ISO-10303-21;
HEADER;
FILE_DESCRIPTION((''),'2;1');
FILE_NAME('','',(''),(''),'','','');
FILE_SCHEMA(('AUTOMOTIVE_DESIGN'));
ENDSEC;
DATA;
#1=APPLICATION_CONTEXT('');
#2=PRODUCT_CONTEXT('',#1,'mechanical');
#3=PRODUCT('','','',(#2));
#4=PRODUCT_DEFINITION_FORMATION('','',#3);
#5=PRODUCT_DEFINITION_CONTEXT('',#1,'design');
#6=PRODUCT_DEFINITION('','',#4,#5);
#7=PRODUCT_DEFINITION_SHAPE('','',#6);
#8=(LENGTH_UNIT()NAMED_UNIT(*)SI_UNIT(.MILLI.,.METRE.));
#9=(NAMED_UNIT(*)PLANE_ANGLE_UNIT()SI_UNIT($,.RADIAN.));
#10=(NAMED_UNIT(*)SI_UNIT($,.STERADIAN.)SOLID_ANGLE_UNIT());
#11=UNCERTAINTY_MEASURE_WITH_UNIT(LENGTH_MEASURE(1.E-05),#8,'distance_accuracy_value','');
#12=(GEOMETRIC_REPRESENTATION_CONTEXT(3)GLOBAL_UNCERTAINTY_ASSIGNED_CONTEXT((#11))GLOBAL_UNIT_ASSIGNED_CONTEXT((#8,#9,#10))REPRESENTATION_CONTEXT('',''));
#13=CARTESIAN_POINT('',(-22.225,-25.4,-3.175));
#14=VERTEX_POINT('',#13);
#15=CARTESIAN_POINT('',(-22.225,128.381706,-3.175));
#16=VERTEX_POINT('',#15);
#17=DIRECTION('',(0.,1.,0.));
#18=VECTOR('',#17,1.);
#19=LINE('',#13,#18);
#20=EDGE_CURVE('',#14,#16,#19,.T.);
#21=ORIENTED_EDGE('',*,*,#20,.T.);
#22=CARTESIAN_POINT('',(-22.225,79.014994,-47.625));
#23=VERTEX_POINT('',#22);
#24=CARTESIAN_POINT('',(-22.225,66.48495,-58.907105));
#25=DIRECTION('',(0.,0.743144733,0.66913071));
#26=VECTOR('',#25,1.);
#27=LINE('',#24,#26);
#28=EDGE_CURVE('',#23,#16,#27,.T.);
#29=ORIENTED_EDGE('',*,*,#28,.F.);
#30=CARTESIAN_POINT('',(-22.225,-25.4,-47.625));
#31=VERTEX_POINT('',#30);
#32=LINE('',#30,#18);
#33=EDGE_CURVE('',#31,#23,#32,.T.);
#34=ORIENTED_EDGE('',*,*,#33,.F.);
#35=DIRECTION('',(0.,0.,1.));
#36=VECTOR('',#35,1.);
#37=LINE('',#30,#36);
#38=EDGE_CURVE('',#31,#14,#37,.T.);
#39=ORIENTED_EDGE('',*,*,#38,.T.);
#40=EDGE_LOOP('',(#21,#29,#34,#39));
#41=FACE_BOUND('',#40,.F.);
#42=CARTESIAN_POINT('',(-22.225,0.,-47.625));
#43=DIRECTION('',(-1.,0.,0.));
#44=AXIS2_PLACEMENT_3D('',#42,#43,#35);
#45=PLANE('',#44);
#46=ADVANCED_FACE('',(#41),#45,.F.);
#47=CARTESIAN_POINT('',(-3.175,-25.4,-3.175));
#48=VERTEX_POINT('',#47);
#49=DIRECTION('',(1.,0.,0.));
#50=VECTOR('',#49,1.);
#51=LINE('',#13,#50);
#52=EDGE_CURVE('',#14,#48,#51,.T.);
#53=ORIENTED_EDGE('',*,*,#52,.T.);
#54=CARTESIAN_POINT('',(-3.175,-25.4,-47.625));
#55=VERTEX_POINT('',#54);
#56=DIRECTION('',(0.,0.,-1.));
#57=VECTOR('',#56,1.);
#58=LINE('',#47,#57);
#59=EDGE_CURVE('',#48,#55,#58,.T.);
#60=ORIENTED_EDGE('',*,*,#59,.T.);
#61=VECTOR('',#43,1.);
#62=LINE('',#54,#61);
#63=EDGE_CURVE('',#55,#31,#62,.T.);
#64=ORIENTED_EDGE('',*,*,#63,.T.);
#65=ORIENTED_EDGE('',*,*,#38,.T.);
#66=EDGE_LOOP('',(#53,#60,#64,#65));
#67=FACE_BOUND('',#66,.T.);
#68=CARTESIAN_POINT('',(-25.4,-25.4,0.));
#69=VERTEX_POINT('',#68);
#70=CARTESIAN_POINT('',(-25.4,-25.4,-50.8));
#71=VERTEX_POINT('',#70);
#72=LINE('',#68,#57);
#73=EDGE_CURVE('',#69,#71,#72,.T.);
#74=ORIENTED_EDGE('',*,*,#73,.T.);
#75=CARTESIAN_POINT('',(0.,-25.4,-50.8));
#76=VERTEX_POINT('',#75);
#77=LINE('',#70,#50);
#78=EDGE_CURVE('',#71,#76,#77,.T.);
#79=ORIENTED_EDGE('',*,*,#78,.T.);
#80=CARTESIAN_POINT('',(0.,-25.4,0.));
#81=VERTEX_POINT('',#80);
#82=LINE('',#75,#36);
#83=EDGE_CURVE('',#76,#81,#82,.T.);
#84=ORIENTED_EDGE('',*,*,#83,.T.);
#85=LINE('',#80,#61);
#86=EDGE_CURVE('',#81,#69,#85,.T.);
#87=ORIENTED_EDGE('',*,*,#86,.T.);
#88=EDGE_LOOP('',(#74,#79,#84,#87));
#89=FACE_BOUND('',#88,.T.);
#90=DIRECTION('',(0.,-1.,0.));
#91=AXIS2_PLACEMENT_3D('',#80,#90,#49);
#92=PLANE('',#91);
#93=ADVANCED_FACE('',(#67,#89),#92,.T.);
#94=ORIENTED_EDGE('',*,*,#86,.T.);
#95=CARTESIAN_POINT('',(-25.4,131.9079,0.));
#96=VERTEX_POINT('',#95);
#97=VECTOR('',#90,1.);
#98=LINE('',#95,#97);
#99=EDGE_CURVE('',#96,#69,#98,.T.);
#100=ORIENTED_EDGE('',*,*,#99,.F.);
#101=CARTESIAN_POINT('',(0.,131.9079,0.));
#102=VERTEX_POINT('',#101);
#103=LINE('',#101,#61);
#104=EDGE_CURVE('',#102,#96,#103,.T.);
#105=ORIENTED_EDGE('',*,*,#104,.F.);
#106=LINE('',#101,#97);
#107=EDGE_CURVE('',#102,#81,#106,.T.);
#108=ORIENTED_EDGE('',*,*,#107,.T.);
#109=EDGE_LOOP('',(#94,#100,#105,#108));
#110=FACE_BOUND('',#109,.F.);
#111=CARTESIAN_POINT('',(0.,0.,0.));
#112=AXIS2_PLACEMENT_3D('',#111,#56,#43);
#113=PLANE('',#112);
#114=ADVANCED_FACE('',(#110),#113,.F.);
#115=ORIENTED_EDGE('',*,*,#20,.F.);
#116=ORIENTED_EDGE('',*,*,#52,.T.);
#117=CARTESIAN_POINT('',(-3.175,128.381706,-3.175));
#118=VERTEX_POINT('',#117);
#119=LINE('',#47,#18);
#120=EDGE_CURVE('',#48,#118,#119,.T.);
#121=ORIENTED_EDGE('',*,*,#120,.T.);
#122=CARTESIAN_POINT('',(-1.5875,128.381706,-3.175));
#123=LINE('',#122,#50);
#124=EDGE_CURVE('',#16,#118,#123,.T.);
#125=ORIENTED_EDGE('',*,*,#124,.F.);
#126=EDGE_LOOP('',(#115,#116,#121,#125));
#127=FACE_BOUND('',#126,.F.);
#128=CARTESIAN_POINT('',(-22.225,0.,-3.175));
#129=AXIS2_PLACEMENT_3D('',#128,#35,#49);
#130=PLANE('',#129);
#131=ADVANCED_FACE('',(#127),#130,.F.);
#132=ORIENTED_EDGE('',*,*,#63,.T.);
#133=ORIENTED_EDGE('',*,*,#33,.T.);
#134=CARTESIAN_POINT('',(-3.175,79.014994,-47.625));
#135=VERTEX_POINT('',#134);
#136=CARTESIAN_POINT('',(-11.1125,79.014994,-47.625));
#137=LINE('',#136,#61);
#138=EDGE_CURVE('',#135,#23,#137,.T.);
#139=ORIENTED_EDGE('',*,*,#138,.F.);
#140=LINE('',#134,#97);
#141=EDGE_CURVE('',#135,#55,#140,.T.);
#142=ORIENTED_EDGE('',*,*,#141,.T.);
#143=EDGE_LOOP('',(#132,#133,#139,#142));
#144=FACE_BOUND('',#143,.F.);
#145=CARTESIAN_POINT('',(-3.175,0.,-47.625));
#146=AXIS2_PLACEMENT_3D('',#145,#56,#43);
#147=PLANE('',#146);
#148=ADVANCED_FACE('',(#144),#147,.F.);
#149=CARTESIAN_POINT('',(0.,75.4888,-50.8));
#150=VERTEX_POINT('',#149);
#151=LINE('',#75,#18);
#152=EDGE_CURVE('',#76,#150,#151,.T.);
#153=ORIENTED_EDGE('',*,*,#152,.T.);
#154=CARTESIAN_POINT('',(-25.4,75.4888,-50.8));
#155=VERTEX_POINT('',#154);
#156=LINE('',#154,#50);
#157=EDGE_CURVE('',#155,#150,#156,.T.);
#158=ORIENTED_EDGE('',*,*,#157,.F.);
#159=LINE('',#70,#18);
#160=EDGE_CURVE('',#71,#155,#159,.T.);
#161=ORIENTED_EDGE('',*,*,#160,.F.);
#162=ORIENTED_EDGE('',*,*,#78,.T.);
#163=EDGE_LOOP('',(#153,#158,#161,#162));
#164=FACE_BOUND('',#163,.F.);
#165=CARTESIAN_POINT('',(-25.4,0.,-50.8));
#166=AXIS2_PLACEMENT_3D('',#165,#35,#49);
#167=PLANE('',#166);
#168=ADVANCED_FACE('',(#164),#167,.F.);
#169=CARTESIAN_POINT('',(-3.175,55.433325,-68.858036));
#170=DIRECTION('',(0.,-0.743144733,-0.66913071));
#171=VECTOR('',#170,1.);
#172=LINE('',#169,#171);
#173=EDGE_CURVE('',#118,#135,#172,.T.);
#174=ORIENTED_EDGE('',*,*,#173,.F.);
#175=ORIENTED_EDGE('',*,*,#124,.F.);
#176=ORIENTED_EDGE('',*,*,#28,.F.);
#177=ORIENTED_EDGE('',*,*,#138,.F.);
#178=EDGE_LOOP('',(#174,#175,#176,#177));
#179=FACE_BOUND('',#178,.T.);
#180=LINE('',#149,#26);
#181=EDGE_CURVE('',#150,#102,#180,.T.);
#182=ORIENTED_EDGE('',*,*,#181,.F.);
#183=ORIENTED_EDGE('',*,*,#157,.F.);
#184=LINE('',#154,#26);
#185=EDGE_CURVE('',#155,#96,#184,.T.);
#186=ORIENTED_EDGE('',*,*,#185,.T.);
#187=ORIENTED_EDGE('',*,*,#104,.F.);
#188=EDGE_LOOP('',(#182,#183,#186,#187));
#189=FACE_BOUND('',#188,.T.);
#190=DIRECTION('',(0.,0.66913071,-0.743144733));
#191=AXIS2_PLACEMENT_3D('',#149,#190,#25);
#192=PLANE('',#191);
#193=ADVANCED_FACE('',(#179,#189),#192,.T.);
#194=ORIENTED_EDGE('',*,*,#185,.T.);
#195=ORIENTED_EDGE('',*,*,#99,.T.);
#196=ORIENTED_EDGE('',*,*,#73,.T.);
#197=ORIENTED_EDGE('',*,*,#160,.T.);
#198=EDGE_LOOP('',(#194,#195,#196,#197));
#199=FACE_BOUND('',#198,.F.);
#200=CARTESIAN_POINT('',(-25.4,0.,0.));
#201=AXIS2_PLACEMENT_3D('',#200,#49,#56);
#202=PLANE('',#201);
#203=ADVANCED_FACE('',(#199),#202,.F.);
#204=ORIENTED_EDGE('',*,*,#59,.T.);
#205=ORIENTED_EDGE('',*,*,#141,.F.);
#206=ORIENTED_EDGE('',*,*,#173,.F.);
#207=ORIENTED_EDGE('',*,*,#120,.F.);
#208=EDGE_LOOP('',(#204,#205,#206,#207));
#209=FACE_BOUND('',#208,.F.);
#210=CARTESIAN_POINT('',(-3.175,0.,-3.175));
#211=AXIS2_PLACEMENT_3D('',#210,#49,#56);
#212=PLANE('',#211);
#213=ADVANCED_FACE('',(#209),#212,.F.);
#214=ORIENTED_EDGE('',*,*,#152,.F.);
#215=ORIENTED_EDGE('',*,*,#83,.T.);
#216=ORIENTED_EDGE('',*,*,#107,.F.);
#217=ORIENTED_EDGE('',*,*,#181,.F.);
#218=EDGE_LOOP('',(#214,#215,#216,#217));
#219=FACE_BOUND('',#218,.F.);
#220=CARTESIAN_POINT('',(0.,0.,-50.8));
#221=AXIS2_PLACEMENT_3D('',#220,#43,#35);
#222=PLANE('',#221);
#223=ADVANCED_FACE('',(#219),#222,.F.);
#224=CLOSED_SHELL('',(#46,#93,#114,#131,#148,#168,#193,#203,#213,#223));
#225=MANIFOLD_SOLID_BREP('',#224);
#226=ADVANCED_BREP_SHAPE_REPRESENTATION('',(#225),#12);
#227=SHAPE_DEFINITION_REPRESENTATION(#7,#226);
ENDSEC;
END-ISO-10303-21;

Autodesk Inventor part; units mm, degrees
ref_plane "YZ Plane" through (0, 0, 0) normal (1, 0, 0) x (0, 1, 0)
ref_plane "XZ Plane" through (0, 0, 0) normal (0, 1, 0) x (-1, 0, 0)
ref_plane "XY Plane" through (0, 0, 0) normal (0, 0, 1) x (1, 0, 0)
sketch "Sketch1" plane through (0, 0, 0) normal (0, 1, 0) x (-1, 0, 0)
  line L0 (0, 0) -> (25.4, 0)
  line L1 (25.4, 0) -> (25.4, -50.8)
  line L2 (25.4, -50.8) -> (0, -50.8)
  line L3 (0, -50.8) -> (0, 0)
  line L4 (22.225, -47.625) -> (22.225, -3.175)
  line L5 (22.225, -3.175) -> (3.175, -3.175)
  line L6 (3.175, -3.175) -> (3.175, -47.625)
  line L7 (3.175, -47.625) -> (22.225, -47.625)
  dimension "d0" = 25.4
  dimension "d1" = 50.8
  dimension "d2" = 3.175
extrude "Extrusion1" add sketch "Sketch1" along normal blind 75.4888
sketch "Sketch2" plane through (0, 0, 0) normal (1, 0, 0) x (0, 0, -1)
  line L0 (50.8, 0) -> (0, 0) projected
  line L1 (50.8, 0) -> (50.8, 75.4888) projected
  line L2 (0, 75.4888) -> (50.8, 75.4888) projected
  line L3 (0, 0) -> (0, 75.4888) projected
  line L4 (50.8, 75.4888) -> (0, 131.9079)
  line L5 (0, 131.9079) -> (0, 75.4888)
  dimension "d5" = 48
extrude "Extrusion2" add sketch "Sketch2" against normal blind 25.4 contours L2 L5 L4
sketch "Sketch3" plane through (0, 0, 0) normal (0, -1, 0) x (1, 0, 0)
  line L0 (-22.225, -47.625) -> (-3.175, -47.625) projected
  line L1 (-3.175, -47.625) -> (-3.175, -3.175) projected
  line L2 (-3.175, -3.175) -> (-22.225, -3.175) projected
  line L3 (-22.225, -3.175) -> (-22.225, -47.625) projected
  point P0 (0, 0)
extrude "Extrusion3" cut sketch "Sketch3" against normal through all
sketch "Sketch4" plane through (0, 0, 0) normal (0, -1, 0) x (1, 0, 0)
  line L0 (-3.175, -47.625) -> (-22.225, -47.625) projected
  line L1 (-22.225, -47.625) -> (-22.225, -3.175) projected
  line L2 (-22.225, -3.175) -> (-3.175, -3.175) projected
  line L3 (-3.175, -3.175) -> (-3.175, -47.625) projected
  line L4 (0, 0) -> (-25.4, 0) projected
  line L5 (-25.4, 0) -> (-25.4, -50.8) projected
  line L6 (-25.4, -50.8) -> (0, -50.8) projected
  line L7 (0, -50.8) -> (0, 0) projected
extrude "Extrusion4" add sketch "Sketch4" along normal blind 25.4
properties part number "SmallAnglesSupport.ver1-1111-2020"
